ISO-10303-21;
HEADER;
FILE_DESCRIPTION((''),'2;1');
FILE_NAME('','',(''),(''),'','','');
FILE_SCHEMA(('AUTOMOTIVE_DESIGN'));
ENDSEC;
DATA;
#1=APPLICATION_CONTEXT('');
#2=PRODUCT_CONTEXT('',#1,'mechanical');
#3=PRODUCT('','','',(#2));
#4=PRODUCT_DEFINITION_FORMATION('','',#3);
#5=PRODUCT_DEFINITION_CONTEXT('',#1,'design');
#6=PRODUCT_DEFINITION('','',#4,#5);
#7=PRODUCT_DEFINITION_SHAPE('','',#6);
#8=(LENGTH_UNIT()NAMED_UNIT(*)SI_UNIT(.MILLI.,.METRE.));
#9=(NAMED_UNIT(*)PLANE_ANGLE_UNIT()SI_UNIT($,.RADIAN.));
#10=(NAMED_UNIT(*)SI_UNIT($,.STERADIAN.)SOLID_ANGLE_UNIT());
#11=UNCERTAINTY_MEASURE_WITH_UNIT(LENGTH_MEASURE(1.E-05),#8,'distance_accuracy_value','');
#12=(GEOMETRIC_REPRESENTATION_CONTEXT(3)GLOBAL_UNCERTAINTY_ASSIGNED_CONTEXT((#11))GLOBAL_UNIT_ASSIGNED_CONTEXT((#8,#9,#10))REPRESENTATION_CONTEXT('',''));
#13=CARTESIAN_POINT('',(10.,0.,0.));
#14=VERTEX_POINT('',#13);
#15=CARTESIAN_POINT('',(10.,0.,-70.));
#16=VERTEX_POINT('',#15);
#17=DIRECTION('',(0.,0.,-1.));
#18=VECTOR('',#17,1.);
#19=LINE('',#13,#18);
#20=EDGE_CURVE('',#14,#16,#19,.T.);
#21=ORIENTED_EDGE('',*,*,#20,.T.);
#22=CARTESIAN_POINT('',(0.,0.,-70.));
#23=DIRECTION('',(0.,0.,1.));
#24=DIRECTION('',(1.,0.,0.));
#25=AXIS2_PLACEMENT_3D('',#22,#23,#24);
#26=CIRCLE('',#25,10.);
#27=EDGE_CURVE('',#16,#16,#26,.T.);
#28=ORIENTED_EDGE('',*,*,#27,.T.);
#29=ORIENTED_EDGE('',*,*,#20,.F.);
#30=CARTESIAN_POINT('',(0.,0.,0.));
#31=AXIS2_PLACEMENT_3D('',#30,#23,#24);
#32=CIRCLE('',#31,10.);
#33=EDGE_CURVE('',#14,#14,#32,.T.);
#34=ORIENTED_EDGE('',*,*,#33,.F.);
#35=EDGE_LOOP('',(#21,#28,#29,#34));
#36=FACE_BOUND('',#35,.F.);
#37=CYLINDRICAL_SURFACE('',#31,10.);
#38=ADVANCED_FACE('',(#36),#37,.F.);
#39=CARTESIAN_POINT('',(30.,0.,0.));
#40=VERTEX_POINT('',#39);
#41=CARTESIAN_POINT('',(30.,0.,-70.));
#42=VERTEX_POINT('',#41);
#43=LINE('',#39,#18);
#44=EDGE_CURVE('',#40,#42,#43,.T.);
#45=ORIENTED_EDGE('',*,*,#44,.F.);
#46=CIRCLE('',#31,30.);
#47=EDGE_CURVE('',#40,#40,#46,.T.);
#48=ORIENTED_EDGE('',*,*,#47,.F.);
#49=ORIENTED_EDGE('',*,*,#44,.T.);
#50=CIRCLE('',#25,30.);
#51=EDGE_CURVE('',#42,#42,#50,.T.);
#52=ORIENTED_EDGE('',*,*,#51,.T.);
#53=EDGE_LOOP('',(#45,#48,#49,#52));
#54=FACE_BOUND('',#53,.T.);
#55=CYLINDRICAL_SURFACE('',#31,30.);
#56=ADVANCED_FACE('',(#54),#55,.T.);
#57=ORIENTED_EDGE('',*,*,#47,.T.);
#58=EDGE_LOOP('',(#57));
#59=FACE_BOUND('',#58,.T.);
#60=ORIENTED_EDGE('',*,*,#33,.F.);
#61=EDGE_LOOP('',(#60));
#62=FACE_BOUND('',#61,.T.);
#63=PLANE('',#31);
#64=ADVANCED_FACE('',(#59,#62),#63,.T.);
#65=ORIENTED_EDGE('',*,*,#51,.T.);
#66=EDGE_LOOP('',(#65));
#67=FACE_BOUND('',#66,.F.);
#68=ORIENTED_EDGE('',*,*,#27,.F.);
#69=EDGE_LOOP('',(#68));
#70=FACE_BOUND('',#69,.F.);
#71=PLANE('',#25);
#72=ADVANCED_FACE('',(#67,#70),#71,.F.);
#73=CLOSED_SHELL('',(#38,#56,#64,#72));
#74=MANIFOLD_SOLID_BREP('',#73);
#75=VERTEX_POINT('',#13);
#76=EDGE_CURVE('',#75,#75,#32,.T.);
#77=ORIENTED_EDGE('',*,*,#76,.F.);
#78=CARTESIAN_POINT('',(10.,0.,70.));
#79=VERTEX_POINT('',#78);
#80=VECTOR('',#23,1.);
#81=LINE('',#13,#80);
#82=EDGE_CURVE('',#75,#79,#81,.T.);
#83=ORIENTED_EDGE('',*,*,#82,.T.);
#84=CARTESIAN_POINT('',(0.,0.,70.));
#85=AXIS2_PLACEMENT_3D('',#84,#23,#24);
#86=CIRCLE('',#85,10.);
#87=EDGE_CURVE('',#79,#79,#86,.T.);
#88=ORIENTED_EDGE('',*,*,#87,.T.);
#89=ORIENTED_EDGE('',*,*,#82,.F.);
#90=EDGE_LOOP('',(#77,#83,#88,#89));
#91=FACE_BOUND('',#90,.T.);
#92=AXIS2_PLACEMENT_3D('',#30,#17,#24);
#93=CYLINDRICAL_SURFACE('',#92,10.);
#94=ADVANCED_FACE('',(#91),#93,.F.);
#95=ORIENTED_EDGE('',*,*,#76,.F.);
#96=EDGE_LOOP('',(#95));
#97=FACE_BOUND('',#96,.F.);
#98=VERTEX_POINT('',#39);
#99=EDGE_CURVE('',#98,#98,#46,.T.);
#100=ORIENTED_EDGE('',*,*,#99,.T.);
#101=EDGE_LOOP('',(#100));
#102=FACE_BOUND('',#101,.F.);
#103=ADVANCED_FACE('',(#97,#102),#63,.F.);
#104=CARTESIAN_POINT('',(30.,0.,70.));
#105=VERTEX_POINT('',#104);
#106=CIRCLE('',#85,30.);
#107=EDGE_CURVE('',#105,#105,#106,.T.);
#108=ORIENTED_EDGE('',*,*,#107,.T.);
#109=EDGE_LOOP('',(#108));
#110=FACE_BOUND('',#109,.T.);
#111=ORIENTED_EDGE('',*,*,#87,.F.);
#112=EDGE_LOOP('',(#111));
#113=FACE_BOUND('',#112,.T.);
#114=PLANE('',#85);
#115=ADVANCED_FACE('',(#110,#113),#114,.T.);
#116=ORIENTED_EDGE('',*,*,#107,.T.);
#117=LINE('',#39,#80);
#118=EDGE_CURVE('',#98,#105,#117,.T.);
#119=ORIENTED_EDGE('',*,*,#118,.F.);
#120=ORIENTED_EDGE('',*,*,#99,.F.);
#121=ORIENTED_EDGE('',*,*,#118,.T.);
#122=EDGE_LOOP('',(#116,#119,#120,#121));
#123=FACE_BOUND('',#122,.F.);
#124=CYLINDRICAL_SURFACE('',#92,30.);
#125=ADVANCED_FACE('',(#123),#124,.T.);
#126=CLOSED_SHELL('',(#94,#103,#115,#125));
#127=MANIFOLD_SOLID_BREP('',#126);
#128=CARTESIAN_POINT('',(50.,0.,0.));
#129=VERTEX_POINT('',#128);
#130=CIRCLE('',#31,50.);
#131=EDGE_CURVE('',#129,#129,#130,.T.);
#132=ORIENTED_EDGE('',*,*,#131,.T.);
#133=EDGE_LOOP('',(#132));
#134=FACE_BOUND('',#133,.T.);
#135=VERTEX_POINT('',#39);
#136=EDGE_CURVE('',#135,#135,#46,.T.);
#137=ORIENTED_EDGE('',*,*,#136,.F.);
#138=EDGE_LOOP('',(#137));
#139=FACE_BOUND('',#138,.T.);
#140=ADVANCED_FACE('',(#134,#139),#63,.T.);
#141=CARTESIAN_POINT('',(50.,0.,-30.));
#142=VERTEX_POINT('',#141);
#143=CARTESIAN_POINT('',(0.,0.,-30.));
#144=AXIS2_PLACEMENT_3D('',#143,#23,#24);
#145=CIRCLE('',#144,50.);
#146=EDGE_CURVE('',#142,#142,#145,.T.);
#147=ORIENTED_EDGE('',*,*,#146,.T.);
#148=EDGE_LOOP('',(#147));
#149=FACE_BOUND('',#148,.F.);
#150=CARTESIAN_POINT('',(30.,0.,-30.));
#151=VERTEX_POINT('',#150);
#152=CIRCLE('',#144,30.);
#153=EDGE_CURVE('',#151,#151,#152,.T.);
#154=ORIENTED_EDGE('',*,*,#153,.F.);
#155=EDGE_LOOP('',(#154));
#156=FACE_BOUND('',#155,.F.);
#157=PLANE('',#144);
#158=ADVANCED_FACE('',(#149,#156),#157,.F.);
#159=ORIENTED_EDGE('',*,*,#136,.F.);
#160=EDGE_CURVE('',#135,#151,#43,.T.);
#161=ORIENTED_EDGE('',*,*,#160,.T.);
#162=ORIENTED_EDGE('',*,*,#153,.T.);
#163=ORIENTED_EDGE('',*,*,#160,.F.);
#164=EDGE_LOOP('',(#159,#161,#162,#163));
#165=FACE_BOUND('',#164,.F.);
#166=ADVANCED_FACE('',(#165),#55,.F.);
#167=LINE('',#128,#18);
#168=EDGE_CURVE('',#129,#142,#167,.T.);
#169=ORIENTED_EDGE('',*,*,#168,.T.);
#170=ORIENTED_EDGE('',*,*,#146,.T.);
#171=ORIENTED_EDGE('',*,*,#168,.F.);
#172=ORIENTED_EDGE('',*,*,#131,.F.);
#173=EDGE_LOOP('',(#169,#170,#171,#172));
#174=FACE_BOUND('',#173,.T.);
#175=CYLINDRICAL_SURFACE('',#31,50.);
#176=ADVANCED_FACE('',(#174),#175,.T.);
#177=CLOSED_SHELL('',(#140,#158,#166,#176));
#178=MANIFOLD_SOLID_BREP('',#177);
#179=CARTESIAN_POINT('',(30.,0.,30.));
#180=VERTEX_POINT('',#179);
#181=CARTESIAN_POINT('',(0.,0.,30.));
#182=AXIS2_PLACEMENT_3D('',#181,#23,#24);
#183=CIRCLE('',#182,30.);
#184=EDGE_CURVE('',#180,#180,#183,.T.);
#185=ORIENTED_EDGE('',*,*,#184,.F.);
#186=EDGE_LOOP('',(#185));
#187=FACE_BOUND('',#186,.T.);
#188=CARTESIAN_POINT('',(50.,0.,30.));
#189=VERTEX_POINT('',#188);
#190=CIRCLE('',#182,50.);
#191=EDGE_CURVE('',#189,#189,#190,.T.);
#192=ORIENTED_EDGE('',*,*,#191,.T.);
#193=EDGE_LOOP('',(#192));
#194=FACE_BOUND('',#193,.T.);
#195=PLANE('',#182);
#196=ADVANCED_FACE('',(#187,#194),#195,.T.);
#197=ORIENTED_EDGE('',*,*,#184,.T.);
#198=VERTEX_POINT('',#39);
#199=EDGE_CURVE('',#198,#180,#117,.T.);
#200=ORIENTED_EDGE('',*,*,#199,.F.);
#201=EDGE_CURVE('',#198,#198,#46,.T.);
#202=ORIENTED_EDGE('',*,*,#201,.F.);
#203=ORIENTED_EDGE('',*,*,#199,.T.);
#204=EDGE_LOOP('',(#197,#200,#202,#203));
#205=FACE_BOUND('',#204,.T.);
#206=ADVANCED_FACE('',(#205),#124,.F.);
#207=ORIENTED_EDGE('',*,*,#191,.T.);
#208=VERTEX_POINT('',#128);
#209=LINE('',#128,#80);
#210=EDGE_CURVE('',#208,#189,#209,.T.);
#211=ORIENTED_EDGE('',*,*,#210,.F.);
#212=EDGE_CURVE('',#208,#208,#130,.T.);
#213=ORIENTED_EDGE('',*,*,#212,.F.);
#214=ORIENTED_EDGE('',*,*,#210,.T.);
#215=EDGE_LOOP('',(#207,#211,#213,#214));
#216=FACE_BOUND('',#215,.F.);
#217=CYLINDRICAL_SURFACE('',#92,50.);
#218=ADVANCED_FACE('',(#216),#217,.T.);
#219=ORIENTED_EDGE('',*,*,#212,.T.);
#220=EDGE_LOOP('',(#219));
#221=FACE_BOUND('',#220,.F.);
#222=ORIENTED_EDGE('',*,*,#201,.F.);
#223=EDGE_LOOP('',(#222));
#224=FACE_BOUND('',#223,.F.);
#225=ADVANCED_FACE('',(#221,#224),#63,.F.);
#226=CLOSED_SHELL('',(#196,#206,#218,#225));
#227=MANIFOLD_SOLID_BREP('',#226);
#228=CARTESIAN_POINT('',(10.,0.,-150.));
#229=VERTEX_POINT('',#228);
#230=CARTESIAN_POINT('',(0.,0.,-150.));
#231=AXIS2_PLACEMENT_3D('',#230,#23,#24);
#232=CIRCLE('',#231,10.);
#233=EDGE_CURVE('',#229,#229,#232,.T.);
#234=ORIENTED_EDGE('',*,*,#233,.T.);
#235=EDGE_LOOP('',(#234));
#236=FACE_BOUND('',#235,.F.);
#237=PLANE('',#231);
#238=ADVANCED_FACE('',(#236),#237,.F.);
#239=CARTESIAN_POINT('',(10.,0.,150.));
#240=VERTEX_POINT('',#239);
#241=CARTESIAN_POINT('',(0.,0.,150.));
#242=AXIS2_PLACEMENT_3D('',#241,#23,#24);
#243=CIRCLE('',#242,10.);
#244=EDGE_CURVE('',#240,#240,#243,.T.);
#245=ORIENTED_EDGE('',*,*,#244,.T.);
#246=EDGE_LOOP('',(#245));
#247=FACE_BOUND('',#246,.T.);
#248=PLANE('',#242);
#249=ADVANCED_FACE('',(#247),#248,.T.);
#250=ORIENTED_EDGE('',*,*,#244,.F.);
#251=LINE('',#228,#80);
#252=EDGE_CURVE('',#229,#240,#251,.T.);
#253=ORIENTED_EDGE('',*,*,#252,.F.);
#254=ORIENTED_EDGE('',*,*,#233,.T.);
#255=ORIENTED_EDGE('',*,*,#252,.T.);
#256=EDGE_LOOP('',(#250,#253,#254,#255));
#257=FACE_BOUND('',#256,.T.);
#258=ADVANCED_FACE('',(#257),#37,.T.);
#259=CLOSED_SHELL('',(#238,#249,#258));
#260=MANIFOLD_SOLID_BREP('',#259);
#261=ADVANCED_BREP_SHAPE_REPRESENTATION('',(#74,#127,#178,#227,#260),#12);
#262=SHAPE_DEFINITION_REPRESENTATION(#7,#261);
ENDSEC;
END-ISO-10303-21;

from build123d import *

# Parameters (mm, degrees)
F0_R     = 10
F1_DEPTH = 150
F0_R_2   = 50
F0_R_3   = 30
F2_DEPTH = 30
F3_DEPTH = 70
F4_DEPTH = 150
F5_DEPTH = 70
F6_DEPTH = 30


with BuildPart() as f1:
    # F0 (on Top) → F1 (new body)
    with BuildSketch(Plane.XY):
        Circle(F0_R)
    extrude(amount=F1_DEPTH)

    # F0 (on Top) → F4 (join)
    with BuildSketch(Plane.XY):
        Circle(F0_R)
    extrude(amount=-F4_DEPTH)


with BuildPart() as f2:
    # F0 (on Top) → F2 (new body)
    with BuildSketch(Plane.XY):
        Circle(F0_R_2)
        Circle(F0_R_3, mode=Mode.SUBTRACT)
    extrude(amount=F2_DEPTH)


with BuildPart() as f3:
    # F0 (on Top) → F3 (new body)
    with BuildSketch(Plane.XY):
        Circle(F0_R_3)
        Circle(F0_R, mode=Mode.SUBTRACT)
    extrude(amount=F3_DEPTH)


with BuildPart() as f5:
    # F0 (on Top) → F5 (new body)
    with BuildSketch(Plane.XY):
        Circle(F0_R_3)
        Circle(F0_R, mode=Mode.SUBTRACT)
    extrude(amount=-F5_DEPTH)


with BuildPart() as f6:
    # F0 (on Top) → F6 (new body)
    with BuildSketch(Plane.XY):
        Circle(F0_R_2)
        Circle(F0_R_3, mode=Mode.SUBTRACT)
    extrude(amount=-F6_DEPTH)


solid = Compound([f1.part, f2.part, f3.part, f5.part, f6.part])
